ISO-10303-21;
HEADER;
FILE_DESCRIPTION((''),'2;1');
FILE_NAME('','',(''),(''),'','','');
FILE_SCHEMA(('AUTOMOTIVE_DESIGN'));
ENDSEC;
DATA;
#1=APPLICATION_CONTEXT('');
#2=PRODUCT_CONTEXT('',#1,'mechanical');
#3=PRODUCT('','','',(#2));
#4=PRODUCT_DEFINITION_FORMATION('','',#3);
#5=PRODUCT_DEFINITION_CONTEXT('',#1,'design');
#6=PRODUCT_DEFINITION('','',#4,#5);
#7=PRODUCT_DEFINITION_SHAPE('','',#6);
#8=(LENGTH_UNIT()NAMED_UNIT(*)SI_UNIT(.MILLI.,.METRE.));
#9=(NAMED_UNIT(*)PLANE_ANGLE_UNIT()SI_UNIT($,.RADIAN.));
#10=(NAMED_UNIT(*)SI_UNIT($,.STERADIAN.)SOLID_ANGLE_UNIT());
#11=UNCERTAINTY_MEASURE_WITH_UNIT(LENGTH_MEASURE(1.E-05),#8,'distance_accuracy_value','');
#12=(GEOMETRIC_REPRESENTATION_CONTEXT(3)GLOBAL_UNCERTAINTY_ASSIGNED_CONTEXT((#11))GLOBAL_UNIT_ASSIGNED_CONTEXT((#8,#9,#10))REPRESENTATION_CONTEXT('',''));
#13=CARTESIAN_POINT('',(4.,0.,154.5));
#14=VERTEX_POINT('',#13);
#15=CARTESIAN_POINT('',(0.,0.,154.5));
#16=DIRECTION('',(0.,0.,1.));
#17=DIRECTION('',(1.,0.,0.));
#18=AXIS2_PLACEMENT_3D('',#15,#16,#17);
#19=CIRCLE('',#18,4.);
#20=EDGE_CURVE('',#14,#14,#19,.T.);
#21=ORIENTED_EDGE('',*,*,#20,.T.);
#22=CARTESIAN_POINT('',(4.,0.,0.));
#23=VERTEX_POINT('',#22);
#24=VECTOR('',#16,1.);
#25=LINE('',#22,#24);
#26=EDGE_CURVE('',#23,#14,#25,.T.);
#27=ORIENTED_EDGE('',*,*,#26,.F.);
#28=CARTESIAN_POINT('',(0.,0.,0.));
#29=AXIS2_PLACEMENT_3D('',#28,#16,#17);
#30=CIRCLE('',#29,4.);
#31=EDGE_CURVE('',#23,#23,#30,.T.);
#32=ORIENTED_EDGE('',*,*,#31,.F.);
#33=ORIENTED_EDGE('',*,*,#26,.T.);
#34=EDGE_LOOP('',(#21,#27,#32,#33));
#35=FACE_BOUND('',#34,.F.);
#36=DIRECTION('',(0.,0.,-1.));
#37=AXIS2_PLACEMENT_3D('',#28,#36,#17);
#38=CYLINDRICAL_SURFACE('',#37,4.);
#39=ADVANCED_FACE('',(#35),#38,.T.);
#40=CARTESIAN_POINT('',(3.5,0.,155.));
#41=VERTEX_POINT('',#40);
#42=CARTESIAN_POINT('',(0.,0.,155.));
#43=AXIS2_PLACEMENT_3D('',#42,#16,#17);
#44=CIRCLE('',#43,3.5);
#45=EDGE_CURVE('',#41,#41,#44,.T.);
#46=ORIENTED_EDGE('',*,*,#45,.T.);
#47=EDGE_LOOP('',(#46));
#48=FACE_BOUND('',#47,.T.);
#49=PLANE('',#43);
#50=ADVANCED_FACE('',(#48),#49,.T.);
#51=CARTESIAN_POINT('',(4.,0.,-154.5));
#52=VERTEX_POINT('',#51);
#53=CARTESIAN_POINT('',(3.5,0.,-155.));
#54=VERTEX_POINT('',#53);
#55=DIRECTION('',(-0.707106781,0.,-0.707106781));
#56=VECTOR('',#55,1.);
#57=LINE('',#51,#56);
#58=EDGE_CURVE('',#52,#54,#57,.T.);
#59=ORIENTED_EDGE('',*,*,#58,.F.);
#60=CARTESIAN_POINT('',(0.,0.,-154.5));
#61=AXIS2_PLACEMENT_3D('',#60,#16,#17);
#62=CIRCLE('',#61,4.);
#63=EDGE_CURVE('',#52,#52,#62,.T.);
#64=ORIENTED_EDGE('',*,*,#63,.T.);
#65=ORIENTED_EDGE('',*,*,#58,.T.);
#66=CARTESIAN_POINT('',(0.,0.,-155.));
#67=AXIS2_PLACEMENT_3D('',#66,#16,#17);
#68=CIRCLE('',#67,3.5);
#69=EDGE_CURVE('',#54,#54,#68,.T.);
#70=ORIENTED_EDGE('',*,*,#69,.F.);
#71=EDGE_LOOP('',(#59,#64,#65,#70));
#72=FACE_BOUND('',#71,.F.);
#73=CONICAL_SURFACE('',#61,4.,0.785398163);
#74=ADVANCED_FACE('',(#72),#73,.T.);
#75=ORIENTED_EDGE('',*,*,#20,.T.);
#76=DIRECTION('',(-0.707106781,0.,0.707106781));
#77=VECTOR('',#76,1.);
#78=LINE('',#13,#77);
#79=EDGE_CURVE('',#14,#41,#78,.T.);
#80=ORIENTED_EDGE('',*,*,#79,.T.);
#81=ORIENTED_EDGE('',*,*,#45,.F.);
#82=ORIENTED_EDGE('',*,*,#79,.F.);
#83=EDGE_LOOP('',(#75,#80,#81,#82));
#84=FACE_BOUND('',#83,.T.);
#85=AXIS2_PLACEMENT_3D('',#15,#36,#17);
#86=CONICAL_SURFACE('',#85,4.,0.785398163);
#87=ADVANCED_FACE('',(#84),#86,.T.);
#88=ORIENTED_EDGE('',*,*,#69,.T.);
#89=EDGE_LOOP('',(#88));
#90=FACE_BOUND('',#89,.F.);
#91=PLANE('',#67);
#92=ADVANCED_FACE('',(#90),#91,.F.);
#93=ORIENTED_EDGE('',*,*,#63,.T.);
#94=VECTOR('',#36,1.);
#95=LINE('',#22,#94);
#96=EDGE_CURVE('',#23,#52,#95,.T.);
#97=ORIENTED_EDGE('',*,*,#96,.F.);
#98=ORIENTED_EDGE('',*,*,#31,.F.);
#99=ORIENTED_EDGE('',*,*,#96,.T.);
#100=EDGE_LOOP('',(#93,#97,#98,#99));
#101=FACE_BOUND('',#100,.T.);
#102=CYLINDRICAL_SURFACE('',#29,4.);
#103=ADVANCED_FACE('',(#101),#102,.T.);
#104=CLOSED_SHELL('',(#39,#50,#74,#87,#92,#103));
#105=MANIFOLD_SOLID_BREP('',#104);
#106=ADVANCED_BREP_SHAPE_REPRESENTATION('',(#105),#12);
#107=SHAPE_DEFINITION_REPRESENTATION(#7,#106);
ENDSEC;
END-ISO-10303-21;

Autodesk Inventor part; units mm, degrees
ref_plane "YZ Plane" through (0, 0, 0) normal (1, 0, 0) x (0, 1, 0)
ref_plane "XZ Plane" through (0, 0, 0) normal (0, 1, 0) x (-1, 0, 0)
ref_plane "XY Plane" through (0, 0, 0) normal (0, 0, 1) x (1, 0, 0)
sketch "Sketch1" plane through (0, 0, 0) normal (0, 0, 1) x (1, 0, 0)
  circle A0 centre (0, 0) radius 4
  dimension "d0" = 8
extrude "Extrusion1" add sketch "Sketch1" along normal mid plane 310
chamfer "Chamfer1" distance 0.5 angle 45 2 edges at (-4, 0, 155) (-4, 0, -155)
properties part number "barra lisa 8mm"
